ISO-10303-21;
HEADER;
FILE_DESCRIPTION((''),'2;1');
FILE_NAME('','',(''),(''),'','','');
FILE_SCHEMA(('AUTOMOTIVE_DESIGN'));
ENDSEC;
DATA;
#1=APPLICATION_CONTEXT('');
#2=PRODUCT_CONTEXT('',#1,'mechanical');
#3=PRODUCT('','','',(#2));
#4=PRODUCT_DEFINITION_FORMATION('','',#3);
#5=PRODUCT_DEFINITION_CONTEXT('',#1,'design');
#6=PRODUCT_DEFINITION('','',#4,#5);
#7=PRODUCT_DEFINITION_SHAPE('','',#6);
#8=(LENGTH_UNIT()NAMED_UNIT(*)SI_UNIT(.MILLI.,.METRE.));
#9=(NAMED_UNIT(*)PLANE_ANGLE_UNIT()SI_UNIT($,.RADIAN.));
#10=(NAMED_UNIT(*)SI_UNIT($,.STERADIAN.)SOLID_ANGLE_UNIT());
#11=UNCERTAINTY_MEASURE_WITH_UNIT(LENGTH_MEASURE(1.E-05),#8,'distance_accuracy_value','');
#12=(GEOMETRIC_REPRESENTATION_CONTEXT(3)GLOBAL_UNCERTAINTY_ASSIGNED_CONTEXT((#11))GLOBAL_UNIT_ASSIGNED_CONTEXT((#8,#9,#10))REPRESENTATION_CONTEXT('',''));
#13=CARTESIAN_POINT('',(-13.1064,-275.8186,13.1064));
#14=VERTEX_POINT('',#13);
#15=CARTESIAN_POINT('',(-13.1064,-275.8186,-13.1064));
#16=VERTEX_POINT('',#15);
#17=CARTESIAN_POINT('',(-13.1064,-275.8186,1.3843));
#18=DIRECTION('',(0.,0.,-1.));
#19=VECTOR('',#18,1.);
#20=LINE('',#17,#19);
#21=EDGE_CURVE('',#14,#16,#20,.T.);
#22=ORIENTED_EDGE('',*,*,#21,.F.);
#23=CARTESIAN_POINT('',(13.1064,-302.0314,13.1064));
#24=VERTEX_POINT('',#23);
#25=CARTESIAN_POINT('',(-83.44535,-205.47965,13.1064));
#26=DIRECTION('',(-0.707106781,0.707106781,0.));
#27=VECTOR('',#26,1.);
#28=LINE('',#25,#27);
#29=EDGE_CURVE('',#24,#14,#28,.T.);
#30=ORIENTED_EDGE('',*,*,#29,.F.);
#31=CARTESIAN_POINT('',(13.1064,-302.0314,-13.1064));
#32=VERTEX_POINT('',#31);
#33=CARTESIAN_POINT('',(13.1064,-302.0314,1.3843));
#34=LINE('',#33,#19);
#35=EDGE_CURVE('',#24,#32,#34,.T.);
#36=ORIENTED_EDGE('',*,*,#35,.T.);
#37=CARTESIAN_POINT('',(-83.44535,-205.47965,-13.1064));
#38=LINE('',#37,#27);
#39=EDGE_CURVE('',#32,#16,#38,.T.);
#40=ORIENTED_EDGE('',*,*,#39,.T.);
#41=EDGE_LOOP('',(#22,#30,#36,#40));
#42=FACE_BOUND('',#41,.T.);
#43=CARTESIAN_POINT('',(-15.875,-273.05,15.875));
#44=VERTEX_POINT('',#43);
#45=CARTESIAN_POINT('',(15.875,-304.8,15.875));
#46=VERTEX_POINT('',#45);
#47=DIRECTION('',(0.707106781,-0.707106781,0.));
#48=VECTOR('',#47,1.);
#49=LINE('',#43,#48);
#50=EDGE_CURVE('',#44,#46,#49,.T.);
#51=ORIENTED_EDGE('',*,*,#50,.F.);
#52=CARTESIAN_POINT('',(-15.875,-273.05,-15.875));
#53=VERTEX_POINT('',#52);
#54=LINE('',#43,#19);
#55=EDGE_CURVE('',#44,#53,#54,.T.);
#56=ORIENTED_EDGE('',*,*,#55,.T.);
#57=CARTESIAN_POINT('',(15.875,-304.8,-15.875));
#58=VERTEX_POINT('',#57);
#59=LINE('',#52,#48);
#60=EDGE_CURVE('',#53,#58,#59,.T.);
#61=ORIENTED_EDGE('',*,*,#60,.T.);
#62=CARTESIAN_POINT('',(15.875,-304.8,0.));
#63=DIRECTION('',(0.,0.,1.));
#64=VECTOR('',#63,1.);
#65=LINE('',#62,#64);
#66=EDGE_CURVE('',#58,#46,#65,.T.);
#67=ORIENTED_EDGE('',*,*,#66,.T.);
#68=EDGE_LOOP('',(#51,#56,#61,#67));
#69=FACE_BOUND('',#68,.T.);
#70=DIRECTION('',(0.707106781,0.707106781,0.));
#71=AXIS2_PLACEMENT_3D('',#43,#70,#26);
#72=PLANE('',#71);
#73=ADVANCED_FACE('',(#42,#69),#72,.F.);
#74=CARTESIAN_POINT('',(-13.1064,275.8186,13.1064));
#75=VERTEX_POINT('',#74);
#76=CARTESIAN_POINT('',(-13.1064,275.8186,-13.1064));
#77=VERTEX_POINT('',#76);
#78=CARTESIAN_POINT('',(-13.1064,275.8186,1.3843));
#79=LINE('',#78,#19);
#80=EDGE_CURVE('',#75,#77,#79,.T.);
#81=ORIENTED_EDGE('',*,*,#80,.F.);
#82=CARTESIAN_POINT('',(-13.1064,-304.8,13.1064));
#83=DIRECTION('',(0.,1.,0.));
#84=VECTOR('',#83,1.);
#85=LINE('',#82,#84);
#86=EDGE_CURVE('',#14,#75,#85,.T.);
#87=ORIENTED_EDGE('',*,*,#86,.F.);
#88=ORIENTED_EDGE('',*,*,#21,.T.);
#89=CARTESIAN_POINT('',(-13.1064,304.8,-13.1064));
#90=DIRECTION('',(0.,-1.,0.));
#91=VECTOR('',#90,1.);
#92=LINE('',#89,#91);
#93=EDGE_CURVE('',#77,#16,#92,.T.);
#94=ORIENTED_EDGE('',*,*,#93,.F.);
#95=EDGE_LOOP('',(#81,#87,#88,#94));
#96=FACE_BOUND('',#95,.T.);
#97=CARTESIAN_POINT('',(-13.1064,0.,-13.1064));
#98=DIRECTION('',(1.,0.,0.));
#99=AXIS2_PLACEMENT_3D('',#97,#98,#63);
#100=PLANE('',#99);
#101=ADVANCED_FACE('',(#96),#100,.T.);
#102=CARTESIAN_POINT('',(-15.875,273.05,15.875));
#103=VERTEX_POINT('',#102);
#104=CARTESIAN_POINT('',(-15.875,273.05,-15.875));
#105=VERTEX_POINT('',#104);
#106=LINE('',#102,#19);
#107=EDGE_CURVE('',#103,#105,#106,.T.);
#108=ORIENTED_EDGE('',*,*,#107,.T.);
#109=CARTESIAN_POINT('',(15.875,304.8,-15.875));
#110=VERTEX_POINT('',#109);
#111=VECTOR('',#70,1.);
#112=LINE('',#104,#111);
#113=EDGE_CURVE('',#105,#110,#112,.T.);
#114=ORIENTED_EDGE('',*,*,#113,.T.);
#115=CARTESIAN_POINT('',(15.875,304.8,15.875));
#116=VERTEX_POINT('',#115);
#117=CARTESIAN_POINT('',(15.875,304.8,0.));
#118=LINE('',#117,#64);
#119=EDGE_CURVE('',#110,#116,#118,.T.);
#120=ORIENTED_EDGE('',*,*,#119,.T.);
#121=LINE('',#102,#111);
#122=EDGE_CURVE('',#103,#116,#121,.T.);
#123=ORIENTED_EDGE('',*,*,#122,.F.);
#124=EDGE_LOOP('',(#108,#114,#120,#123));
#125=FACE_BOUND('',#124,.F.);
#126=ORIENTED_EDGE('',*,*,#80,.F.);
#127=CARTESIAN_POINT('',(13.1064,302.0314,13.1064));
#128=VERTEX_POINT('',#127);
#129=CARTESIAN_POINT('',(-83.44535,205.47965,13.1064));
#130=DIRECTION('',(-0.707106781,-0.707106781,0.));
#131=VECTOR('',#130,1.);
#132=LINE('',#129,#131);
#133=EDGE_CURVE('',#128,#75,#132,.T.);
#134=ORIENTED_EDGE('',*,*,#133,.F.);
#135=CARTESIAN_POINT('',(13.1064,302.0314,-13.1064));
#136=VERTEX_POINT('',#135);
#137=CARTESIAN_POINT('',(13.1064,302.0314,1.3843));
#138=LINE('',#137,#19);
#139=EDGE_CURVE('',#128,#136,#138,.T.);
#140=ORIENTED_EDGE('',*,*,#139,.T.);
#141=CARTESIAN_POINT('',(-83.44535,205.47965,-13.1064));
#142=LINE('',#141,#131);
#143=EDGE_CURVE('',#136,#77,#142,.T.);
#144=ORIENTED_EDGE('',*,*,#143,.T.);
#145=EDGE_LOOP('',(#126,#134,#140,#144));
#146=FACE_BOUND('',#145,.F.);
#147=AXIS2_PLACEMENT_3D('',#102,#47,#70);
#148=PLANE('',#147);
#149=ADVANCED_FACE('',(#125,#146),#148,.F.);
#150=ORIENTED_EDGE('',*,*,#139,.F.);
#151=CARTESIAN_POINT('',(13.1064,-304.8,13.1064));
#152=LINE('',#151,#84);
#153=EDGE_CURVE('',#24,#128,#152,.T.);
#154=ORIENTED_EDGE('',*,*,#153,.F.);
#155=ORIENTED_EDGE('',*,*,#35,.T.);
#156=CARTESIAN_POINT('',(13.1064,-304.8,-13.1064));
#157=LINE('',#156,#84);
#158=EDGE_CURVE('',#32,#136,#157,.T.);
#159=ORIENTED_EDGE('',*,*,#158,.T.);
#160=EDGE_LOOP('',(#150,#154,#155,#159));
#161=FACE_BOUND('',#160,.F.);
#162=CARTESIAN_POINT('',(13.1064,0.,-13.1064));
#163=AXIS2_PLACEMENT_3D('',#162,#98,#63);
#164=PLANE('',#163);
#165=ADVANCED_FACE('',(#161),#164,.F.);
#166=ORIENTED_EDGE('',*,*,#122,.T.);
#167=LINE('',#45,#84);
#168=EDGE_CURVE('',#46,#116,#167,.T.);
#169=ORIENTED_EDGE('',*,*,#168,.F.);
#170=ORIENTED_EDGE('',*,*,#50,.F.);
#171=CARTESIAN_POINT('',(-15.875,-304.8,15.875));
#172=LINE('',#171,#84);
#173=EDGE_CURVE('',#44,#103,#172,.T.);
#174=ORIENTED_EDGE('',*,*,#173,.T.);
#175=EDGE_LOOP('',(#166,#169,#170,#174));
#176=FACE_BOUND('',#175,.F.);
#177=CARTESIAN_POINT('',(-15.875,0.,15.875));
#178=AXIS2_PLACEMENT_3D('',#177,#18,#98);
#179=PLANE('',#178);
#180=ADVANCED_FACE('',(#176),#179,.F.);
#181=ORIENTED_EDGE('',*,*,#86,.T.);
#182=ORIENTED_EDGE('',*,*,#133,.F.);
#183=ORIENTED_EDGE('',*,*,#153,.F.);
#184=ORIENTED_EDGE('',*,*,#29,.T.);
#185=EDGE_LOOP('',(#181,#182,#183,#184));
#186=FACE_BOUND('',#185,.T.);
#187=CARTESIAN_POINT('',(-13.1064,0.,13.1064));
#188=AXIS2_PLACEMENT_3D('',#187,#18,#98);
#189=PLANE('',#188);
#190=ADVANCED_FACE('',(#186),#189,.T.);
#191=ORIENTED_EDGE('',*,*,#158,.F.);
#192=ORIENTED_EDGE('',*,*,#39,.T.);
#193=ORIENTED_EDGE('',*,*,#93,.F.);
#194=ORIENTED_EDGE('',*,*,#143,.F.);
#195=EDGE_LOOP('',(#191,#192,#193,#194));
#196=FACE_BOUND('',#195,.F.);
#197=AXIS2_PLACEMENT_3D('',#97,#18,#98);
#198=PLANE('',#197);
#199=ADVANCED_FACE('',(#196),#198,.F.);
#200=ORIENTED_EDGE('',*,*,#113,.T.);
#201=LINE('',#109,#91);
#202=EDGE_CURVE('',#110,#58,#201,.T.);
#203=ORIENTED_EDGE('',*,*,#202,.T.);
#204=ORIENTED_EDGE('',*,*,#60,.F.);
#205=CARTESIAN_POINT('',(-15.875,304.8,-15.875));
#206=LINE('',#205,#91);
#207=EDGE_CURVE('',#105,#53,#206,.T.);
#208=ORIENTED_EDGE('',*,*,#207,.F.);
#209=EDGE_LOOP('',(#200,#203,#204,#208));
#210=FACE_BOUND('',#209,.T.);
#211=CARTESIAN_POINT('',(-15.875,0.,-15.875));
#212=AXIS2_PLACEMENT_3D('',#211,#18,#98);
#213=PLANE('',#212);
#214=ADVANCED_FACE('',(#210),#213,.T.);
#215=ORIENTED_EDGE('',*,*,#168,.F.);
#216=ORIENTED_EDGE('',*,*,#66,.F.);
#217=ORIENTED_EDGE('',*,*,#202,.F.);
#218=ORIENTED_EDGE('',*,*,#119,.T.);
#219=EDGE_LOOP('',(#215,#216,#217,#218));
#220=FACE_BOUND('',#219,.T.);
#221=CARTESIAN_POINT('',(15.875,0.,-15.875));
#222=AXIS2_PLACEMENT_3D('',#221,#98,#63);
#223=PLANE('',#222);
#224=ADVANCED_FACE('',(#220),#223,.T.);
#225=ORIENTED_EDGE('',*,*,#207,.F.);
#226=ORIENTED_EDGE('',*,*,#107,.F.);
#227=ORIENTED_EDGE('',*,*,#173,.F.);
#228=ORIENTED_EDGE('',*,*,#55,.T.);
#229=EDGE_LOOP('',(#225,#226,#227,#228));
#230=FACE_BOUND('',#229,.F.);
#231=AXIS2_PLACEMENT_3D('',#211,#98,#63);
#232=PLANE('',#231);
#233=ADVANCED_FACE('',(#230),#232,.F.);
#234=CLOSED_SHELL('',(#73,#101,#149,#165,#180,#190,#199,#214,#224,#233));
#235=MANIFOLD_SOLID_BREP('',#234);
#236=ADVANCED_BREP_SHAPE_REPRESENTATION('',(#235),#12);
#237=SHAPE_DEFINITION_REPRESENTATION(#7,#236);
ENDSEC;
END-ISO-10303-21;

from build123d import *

# Parameters (mm, degrees)
SKETCH_W       = 31.75
SKETCH_H       = 31.75
SKETCH_W_2     = 26.2128
SKETCH_H_2     = 26.2128
PAD_DEPTH      = 304.8
PAD_DEPTH_BACK = 304.8
POCKET_DEPTH   = 31.75


with BuildPart() as part:
    # Sketch → Pad (new body, two sides)
    with BuildSketch(Plane.XZ) as pad_sk:
        Rectangle(SKETCH_W, SKETCH_H)
        Rectangle(SKETCH_W_2, SKETCH_H_2, mode=Mode.SUBTRACT)
    extrude(amount=PAD_DEPTH)
    extrude(pad_sk.sketch, amount=-PAD_DEPTH_BACK)

    # Sketch001 → Pocket (cut)
    with BuildSketch(Plane(origin=(0, 0, 15.875), x_dir=(-1, 0, 0), z_dir=(0, 0, 1))):
        Polygon((-15.875, -304.8), (15.875, -304.8), (15.875, -273.05), align=None)
    pocket = extrude(amount=-POCKET_DEPTH, mode=Mode.SUBTRACT)

    # Mirrored: Pocket across Sketch001 H_Axis
    add(pocket.mirror(Plane(origin=(0, 0, 15.875), x_dir=(0, 0, 1), z_dir=(0, -1, 0))), mode=Mode.SUBTRACT)


solid = part.part
